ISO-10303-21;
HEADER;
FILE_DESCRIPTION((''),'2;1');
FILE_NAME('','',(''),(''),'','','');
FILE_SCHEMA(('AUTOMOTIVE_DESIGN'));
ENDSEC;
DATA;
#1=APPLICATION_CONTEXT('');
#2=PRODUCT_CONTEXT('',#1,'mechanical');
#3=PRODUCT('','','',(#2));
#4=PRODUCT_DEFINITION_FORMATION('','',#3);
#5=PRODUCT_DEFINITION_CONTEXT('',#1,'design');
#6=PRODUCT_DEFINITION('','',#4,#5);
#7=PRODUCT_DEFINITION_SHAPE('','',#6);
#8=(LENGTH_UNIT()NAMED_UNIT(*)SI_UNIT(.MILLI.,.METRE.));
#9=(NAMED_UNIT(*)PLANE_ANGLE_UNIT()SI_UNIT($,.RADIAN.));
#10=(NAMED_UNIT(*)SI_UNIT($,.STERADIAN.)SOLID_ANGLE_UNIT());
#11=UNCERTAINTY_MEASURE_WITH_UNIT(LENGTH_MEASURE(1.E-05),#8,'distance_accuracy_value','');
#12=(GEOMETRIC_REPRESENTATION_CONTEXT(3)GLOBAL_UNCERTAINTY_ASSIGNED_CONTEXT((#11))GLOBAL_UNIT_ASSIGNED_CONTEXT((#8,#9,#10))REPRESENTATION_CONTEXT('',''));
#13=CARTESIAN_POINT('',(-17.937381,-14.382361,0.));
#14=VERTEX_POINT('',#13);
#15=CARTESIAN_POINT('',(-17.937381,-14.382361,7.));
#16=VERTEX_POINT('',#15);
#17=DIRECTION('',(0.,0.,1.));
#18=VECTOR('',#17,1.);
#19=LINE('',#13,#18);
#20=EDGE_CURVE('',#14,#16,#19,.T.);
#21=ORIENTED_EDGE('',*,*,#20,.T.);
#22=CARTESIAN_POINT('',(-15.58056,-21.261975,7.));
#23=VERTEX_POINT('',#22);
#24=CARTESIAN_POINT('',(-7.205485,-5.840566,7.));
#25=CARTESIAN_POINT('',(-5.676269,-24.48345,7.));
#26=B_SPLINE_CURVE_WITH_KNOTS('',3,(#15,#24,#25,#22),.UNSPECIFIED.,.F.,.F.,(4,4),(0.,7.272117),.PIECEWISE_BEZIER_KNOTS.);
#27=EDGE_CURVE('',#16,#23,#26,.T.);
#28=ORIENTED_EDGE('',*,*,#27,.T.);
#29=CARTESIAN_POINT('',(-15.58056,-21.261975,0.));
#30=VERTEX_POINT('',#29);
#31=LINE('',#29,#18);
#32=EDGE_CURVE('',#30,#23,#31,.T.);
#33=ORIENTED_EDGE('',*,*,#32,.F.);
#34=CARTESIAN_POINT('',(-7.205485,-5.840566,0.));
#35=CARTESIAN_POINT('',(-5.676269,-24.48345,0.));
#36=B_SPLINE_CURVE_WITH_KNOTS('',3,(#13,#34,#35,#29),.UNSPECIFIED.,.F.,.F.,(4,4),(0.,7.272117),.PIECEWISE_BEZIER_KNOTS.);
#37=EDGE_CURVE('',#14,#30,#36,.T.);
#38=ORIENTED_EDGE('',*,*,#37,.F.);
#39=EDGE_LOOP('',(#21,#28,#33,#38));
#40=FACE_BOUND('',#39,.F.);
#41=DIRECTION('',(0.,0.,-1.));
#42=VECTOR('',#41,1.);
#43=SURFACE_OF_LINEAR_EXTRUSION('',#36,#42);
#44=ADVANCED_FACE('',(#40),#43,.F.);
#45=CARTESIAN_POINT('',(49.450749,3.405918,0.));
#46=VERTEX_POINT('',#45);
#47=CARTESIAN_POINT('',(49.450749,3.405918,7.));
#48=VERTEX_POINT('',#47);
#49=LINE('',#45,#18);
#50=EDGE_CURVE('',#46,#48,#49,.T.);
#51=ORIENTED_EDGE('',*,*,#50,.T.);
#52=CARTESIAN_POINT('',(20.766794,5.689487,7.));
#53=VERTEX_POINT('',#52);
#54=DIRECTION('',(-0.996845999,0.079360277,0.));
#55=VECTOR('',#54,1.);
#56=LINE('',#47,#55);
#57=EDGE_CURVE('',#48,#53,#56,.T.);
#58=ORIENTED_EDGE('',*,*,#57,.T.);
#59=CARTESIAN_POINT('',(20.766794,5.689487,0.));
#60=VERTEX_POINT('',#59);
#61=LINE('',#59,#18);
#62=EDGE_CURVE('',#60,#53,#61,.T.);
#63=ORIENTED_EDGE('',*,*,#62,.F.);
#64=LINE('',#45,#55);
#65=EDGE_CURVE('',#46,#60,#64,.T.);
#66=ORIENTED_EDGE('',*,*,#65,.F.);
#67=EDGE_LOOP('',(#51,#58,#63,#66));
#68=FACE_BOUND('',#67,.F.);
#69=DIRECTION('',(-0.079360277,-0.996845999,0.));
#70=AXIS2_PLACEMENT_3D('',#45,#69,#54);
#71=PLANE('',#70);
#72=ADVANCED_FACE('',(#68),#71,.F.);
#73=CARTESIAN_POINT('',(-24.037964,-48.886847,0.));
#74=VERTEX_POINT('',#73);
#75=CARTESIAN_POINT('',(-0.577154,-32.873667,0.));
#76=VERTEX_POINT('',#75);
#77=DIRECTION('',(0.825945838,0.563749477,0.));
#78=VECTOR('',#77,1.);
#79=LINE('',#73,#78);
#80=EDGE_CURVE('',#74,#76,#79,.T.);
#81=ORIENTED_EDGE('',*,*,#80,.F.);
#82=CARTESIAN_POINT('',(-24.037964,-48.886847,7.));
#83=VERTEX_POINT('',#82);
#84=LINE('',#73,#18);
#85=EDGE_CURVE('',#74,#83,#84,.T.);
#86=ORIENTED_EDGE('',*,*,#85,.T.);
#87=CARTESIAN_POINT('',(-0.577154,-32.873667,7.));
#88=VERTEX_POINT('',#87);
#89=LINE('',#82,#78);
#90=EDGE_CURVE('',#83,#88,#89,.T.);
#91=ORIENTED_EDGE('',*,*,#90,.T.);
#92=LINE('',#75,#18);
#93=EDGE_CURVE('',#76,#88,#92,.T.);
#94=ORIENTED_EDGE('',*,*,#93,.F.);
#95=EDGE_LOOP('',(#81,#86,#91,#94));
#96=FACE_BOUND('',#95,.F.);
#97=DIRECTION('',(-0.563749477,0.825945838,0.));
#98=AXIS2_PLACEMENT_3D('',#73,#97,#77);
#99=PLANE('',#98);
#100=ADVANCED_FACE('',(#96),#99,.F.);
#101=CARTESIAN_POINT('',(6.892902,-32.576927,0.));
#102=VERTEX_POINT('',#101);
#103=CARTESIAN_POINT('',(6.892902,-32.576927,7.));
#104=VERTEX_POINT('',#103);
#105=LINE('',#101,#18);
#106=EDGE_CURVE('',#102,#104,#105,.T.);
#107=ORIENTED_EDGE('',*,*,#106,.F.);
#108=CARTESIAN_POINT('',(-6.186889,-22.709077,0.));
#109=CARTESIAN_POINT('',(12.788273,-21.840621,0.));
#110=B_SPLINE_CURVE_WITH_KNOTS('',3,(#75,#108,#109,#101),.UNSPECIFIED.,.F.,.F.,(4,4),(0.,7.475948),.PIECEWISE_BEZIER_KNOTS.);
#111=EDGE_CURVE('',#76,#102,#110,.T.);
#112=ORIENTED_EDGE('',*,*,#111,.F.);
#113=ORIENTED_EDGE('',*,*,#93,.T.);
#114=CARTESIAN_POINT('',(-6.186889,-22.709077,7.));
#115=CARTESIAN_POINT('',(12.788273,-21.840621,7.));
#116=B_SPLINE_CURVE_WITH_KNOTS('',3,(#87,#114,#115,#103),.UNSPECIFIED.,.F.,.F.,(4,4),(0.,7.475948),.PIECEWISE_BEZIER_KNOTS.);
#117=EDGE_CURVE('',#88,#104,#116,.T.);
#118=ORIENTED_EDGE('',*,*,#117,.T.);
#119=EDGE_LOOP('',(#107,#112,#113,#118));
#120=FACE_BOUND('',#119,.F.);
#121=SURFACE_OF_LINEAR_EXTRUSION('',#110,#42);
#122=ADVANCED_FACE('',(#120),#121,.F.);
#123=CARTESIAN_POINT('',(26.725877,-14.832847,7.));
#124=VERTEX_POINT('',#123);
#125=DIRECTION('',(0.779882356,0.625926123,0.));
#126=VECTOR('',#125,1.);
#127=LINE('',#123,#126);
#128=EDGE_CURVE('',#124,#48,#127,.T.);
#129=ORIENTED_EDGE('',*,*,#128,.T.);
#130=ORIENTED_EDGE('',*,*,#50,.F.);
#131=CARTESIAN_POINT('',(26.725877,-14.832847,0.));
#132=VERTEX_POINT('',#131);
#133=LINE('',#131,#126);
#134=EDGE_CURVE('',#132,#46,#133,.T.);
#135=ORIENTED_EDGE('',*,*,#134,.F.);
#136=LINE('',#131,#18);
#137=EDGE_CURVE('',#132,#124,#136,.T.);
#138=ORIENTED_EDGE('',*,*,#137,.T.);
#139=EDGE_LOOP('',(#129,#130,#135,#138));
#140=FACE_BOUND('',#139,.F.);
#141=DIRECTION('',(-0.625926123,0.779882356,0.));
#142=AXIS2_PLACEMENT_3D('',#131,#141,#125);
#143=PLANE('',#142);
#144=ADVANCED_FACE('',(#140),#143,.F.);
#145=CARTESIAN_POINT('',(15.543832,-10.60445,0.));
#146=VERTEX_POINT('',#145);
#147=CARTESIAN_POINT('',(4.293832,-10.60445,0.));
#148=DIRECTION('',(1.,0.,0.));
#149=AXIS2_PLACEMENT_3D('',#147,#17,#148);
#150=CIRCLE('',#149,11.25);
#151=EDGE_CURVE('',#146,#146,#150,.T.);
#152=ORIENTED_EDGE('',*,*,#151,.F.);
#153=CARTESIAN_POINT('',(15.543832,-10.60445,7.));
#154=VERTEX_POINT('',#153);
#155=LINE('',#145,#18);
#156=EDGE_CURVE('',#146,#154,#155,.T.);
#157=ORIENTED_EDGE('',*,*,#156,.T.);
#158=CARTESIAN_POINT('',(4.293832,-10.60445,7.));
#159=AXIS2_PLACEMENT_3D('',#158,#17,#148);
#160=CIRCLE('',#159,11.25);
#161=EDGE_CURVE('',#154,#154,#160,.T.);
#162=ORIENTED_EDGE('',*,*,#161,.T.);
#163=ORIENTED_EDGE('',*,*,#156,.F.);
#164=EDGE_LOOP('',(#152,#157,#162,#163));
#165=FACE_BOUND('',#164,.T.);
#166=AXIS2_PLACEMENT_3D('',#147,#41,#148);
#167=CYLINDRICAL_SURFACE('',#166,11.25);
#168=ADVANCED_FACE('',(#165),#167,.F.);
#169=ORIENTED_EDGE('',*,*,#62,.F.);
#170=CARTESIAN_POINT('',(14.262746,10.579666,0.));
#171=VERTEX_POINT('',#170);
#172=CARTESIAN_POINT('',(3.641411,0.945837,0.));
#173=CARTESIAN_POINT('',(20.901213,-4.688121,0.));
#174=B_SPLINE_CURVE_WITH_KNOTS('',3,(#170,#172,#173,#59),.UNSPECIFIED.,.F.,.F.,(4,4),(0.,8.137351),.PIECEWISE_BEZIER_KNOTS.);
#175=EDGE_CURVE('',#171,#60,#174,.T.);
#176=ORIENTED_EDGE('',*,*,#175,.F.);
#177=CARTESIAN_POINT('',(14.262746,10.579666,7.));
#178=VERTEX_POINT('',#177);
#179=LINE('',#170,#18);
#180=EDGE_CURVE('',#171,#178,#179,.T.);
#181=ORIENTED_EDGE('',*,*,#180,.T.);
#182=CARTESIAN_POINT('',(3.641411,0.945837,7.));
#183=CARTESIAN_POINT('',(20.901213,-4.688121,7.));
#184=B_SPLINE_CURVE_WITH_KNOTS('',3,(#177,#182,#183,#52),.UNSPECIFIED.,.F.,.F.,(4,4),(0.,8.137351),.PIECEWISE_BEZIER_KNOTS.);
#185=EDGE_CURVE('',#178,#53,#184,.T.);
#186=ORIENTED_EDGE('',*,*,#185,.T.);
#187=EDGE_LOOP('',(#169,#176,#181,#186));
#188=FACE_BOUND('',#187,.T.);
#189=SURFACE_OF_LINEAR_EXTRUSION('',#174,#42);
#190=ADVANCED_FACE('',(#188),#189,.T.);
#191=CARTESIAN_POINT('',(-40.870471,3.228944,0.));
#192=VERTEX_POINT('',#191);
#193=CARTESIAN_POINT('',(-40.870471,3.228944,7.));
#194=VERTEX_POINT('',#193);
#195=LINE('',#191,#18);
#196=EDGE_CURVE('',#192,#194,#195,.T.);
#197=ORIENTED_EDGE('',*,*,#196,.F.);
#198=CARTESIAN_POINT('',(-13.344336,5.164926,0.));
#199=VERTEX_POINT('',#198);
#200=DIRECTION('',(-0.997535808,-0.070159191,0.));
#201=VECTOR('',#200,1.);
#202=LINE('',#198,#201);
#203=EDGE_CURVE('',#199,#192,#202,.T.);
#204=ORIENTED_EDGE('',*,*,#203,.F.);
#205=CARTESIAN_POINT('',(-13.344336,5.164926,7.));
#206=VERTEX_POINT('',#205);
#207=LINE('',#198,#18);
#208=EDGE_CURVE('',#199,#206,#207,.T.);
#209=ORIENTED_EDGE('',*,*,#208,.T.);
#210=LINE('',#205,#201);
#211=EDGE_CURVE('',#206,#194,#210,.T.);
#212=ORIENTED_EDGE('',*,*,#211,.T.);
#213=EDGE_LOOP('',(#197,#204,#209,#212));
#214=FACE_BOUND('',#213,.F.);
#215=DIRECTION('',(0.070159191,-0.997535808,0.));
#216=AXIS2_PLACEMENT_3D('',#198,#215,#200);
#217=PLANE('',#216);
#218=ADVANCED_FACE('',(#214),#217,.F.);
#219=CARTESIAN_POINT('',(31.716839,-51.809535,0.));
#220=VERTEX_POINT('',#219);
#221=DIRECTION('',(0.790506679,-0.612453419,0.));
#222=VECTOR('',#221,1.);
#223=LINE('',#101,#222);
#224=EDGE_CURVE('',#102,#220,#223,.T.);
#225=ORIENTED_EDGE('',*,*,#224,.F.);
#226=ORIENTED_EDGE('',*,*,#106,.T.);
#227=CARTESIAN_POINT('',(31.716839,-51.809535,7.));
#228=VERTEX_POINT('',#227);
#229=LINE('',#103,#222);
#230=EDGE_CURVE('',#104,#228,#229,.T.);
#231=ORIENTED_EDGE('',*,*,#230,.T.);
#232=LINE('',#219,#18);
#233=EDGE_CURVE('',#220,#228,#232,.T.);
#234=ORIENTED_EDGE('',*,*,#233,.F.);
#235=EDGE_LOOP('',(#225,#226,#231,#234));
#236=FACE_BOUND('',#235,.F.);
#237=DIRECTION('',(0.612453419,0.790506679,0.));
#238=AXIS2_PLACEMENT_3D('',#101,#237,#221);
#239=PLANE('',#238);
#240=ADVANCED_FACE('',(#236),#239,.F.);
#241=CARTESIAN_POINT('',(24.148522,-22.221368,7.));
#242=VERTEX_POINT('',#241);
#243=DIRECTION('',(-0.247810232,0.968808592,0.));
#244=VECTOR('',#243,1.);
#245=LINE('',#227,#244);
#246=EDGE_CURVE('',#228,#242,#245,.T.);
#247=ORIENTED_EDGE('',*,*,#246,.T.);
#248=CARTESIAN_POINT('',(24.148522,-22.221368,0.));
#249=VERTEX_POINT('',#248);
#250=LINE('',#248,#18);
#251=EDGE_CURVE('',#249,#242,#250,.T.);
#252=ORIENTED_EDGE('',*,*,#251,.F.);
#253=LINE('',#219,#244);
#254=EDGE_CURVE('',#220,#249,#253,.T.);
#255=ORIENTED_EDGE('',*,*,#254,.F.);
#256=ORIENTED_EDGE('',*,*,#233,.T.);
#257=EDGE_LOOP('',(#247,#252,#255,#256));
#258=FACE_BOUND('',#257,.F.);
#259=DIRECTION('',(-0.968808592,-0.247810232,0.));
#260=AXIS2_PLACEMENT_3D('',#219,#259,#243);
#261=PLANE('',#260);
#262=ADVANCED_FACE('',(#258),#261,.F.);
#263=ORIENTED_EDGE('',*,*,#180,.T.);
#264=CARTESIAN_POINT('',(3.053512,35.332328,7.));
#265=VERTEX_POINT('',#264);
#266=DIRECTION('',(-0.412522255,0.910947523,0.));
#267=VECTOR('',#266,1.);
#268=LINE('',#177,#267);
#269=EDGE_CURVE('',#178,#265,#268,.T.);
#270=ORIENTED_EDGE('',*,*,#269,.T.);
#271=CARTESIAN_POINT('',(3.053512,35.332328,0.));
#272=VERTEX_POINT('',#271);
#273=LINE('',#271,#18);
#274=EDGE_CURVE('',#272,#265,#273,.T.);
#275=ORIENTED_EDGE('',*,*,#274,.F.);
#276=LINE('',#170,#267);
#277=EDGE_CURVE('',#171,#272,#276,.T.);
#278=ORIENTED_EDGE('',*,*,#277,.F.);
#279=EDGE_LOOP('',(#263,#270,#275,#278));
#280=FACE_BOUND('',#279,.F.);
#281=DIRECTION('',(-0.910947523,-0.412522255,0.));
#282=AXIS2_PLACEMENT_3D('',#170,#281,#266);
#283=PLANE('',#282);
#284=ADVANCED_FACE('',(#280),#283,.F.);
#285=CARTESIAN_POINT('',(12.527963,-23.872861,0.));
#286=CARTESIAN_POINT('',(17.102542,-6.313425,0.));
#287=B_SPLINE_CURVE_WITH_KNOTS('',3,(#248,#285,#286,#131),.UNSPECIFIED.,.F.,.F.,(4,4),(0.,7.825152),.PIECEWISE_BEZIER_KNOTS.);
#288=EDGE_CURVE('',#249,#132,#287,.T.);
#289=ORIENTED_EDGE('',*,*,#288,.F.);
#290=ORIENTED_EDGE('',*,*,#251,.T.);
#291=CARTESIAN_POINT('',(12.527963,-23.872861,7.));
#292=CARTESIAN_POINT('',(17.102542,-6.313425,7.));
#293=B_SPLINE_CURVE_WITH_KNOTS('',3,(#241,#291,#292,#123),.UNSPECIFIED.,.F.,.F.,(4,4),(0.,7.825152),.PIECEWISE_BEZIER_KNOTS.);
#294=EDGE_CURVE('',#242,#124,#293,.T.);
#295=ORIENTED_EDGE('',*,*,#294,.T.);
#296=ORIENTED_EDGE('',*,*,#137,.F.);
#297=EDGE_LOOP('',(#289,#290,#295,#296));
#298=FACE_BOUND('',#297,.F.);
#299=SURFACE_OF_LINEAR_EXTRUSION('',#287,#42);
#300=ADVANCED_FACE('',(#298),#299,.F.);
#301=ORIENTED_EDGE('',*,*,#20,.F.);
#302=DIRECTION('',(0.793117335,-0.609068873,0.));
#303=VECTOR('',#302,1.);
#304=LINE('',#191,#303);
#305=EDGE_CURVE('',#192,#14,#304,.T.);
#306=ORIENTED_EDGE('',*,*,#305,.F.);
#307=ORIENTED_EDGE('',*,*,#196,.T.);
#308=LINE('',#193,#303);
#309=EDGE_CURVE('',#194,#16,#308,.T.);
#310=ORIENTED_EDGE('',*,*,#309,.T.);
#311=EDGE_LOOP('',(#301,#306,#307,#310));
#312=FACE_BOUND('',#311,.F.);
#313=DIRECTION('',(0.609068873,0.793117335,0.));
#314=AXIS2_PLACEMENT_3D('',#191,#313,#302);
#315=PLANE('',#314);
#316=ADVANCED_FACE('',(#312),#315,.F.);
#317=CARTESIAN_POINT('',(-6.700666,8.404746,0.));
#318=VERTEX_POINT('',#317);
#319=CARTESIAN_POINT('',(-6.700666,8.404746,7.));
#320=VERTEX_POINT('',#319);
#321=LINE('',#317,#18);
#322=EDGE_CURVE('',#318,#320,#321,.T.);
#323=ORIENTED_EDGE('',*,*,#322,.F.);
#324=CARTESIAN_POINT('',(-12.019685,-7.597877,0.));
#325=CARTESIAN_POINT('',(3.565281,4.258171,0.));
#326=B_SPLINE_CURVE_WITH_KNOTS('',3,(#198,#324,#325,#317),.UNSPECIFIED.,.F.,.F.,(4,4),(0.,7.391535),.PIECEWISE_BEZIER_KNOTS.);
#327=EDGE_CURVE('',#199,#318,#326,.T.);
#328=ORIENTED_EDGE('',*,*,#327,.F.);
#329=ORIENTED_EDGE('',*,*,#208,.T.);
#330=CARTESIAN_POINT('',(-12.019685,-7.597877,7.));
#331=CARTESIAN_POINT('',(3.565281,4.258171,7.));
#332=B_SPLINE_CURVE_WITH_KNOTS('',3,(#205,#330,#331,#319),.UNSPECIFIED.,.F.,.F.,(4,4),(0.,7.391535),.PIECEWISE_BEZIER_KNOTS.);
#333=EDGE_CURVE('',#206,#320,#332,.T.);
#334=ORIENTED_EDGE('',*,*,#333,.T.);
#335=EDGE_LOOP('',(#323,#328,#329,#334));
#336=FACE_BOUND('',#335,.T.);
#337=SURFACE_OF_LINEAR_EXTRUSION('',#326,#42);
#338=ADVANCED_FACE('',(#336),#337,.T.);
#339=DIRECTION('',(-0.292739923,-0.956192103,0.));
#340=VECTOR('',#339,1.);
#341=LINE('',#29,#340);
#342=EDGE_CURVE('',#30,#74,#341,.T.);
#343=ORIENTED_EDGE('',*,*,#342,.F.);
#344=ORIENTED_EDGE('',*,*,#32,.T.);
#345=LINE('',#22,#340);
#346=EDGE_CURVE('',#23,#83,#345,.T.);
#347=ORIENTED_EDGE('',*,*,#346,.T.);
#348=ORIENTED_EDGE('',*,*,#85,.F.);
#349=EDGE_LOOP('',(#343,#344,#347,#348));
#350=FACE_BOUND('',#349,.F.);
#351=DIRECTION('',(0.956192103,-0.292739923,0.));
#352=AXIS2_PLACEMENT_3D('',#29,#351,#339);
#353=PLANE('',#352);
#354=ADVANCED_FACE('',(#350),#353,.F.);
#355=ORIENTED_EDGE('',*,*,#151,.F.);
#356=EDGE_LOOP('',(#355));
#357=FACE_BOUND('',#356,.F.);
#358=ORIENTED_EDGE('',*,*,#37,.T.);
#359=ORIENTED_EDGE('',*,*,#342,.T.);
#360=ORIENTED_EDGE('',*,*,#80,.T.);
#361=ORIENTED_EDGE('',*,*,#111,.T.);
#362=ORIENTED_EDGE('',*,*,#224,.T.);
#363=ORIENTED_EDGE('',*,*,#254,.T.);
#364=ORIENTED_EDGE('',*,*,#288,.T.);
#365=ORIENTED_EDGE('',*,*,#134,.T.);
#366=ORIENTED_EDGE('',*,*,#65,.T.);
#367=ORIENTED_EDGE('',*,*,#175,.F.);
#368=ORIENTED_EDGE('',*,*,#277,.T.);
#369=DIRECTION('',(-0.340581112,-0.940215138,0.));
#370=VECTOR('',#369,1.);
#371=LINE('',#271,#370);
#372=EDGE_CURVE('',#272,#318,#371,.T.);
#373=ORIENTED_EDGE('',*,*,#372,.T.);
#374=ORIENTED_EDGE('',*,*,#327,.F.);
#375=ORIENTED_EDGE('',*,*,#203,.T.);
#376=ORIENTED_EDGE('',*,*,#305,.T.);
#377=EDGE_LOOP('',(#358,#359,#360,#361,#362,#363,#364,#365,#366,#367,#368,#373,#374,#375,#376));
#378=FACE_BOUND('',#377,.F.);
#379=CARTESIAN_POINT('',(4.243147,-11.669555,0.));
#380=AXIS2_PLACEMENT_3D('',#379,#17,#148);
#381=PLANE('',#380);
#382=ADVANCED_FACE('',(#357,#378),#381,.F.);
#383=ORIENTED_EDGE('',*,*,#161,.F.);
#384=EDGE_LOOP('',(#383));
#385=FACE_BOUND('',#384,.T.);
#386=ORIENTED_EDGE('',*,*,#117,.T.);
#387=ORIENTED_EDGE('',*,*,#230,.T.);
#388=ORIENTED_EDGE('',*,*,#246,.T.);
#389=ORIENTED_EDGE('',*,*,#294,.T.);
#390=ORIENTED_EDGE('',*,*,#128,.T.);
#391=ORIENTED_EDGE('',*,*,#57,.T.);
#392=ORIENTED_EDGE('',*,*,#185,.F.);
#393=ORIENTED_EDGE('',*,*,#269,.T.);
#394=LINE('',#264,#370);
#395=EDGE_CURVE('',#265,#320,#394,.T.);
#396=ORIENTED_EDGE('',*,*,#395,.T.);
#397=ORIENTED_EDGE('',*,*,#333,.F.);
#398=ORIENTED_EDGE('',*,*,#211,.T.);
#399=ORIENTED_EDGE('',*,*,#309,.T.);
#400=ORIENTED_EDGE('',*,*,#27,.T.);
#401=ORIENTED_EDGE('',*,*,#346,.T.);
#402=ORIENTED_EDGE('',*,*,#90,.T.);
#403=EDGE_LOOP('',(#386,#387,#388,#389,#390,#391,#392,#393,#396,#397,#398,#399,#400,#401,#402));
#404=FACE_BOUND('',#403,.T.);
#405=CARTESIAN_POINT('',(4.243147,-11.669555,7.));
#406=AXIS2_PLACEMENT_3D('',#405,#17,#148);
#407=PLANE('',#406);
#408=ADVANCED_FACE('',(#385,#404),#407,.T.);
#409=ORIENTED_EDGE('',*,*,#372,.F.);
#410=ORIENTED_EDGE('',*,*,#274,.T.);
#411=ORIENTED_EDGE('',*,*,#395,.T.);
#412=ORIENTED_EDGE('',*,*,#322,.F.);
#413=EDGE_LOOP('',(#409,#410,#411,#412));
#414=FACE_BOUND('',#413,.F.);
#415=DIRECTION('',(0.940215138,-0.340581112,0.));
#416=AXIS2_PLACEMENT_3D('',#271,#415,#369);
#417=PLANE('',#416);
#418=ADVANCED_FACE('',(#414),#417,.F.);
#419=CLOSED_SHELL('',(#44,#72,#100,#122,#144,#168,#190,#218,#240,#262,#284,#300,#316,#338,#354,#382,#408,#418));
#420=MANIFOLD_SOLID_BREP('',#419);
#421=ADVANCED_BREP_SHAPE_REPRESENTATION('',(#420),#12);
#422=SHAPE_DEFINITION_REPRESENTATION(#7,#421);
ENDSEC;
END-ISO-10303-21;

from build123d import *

# Parameters (mm, degrees)
F0_R     = 11.25
F1_DEPTH = 7


with BuildPart() as f1:
    # F0 (on Top) → F1 (new body)
    with BuildSketch(Plane.XY):
        with BuildLine():
            Line((3.053512, 35.332328), (-6.700666, 8.404746))
            add(Edge.make_bspline(
                [(-13.344336, 5.164926), (-12.019685, -7.597877), (3.565281, 4.258171), (-6.700666, 8.404746)],
                knots=[0, 0, 0, 0, 7.391535, 7.391535, 7.391535, 7.391535], degree=3))
            Line((-13.344336, 5.164926), (-40.870471, 3.228944))
            Line((-40.870471, 3.228944), (-17.937381, -14.382361))
            add(Edge.make_bspline(
                [(-17.937381, -14.382361), (-7.205485, -5.840566), (-5.676269, -24.48345), (-15.58056, -21.261975)],
                knots=[0, 0, 0, 0, 7.272117, 7.272117, 7.272117, 7.272117], degree=3))
            Line((-15.58056, -21.261975), (-24.037964, -48.886847))
            Line((-24.037964, -48.886847), (-0.577154, -32.873667))
            add(Edge.make_bspline(
                [(-0.577154, -32.873667), (-6.186889, -22.709077), (12.788273, -21.840621), (6.892902, -32.576927)],
                knots=[0, 0, 0, 0, 7.475948, 7.475948, 7.475948, 7.475948], degree=3))
            Line((6.892902, -32.576927), (31.716839, -51.809535))
            Line((31.716839, -51.809535), (24.148522, -22.221368))
            add(Edge.make_bspline(
                [(24.148522, -22.221368), (12.527963, -23.872861), (17.102542, -6.313425), (26.725877, -14.832847)],
                knots=[0, 0, 0, 0, 7.825152, 7.825152, 7.825152, 7.825152], degree=3))
            Line((26.725877, -14.832847), (49.450749, 3.405918))
            Line((49.450749, 3.405918), (20.766794, 5.689487))
            add(Edge.make_bspline(
                [(14.262746, 10.579666), (3.641411, 0.945837), (20.901213, -4.688121), (20.766794, 5.689487)],
                knots=[0, 0, 0, 0, 8.137351, 8.137351, 8.137351, 8.137351], degree=3))
            Line((14.262746, 10.579666), (3.053512, 35.332328))
        make_face()
        with Locations((4.293832, -10.60445)):
            Circle(F0_R, mode=Mode.SUBTRACT)
    extrude(amount=F1_DEPTH)


solid = f1.part
